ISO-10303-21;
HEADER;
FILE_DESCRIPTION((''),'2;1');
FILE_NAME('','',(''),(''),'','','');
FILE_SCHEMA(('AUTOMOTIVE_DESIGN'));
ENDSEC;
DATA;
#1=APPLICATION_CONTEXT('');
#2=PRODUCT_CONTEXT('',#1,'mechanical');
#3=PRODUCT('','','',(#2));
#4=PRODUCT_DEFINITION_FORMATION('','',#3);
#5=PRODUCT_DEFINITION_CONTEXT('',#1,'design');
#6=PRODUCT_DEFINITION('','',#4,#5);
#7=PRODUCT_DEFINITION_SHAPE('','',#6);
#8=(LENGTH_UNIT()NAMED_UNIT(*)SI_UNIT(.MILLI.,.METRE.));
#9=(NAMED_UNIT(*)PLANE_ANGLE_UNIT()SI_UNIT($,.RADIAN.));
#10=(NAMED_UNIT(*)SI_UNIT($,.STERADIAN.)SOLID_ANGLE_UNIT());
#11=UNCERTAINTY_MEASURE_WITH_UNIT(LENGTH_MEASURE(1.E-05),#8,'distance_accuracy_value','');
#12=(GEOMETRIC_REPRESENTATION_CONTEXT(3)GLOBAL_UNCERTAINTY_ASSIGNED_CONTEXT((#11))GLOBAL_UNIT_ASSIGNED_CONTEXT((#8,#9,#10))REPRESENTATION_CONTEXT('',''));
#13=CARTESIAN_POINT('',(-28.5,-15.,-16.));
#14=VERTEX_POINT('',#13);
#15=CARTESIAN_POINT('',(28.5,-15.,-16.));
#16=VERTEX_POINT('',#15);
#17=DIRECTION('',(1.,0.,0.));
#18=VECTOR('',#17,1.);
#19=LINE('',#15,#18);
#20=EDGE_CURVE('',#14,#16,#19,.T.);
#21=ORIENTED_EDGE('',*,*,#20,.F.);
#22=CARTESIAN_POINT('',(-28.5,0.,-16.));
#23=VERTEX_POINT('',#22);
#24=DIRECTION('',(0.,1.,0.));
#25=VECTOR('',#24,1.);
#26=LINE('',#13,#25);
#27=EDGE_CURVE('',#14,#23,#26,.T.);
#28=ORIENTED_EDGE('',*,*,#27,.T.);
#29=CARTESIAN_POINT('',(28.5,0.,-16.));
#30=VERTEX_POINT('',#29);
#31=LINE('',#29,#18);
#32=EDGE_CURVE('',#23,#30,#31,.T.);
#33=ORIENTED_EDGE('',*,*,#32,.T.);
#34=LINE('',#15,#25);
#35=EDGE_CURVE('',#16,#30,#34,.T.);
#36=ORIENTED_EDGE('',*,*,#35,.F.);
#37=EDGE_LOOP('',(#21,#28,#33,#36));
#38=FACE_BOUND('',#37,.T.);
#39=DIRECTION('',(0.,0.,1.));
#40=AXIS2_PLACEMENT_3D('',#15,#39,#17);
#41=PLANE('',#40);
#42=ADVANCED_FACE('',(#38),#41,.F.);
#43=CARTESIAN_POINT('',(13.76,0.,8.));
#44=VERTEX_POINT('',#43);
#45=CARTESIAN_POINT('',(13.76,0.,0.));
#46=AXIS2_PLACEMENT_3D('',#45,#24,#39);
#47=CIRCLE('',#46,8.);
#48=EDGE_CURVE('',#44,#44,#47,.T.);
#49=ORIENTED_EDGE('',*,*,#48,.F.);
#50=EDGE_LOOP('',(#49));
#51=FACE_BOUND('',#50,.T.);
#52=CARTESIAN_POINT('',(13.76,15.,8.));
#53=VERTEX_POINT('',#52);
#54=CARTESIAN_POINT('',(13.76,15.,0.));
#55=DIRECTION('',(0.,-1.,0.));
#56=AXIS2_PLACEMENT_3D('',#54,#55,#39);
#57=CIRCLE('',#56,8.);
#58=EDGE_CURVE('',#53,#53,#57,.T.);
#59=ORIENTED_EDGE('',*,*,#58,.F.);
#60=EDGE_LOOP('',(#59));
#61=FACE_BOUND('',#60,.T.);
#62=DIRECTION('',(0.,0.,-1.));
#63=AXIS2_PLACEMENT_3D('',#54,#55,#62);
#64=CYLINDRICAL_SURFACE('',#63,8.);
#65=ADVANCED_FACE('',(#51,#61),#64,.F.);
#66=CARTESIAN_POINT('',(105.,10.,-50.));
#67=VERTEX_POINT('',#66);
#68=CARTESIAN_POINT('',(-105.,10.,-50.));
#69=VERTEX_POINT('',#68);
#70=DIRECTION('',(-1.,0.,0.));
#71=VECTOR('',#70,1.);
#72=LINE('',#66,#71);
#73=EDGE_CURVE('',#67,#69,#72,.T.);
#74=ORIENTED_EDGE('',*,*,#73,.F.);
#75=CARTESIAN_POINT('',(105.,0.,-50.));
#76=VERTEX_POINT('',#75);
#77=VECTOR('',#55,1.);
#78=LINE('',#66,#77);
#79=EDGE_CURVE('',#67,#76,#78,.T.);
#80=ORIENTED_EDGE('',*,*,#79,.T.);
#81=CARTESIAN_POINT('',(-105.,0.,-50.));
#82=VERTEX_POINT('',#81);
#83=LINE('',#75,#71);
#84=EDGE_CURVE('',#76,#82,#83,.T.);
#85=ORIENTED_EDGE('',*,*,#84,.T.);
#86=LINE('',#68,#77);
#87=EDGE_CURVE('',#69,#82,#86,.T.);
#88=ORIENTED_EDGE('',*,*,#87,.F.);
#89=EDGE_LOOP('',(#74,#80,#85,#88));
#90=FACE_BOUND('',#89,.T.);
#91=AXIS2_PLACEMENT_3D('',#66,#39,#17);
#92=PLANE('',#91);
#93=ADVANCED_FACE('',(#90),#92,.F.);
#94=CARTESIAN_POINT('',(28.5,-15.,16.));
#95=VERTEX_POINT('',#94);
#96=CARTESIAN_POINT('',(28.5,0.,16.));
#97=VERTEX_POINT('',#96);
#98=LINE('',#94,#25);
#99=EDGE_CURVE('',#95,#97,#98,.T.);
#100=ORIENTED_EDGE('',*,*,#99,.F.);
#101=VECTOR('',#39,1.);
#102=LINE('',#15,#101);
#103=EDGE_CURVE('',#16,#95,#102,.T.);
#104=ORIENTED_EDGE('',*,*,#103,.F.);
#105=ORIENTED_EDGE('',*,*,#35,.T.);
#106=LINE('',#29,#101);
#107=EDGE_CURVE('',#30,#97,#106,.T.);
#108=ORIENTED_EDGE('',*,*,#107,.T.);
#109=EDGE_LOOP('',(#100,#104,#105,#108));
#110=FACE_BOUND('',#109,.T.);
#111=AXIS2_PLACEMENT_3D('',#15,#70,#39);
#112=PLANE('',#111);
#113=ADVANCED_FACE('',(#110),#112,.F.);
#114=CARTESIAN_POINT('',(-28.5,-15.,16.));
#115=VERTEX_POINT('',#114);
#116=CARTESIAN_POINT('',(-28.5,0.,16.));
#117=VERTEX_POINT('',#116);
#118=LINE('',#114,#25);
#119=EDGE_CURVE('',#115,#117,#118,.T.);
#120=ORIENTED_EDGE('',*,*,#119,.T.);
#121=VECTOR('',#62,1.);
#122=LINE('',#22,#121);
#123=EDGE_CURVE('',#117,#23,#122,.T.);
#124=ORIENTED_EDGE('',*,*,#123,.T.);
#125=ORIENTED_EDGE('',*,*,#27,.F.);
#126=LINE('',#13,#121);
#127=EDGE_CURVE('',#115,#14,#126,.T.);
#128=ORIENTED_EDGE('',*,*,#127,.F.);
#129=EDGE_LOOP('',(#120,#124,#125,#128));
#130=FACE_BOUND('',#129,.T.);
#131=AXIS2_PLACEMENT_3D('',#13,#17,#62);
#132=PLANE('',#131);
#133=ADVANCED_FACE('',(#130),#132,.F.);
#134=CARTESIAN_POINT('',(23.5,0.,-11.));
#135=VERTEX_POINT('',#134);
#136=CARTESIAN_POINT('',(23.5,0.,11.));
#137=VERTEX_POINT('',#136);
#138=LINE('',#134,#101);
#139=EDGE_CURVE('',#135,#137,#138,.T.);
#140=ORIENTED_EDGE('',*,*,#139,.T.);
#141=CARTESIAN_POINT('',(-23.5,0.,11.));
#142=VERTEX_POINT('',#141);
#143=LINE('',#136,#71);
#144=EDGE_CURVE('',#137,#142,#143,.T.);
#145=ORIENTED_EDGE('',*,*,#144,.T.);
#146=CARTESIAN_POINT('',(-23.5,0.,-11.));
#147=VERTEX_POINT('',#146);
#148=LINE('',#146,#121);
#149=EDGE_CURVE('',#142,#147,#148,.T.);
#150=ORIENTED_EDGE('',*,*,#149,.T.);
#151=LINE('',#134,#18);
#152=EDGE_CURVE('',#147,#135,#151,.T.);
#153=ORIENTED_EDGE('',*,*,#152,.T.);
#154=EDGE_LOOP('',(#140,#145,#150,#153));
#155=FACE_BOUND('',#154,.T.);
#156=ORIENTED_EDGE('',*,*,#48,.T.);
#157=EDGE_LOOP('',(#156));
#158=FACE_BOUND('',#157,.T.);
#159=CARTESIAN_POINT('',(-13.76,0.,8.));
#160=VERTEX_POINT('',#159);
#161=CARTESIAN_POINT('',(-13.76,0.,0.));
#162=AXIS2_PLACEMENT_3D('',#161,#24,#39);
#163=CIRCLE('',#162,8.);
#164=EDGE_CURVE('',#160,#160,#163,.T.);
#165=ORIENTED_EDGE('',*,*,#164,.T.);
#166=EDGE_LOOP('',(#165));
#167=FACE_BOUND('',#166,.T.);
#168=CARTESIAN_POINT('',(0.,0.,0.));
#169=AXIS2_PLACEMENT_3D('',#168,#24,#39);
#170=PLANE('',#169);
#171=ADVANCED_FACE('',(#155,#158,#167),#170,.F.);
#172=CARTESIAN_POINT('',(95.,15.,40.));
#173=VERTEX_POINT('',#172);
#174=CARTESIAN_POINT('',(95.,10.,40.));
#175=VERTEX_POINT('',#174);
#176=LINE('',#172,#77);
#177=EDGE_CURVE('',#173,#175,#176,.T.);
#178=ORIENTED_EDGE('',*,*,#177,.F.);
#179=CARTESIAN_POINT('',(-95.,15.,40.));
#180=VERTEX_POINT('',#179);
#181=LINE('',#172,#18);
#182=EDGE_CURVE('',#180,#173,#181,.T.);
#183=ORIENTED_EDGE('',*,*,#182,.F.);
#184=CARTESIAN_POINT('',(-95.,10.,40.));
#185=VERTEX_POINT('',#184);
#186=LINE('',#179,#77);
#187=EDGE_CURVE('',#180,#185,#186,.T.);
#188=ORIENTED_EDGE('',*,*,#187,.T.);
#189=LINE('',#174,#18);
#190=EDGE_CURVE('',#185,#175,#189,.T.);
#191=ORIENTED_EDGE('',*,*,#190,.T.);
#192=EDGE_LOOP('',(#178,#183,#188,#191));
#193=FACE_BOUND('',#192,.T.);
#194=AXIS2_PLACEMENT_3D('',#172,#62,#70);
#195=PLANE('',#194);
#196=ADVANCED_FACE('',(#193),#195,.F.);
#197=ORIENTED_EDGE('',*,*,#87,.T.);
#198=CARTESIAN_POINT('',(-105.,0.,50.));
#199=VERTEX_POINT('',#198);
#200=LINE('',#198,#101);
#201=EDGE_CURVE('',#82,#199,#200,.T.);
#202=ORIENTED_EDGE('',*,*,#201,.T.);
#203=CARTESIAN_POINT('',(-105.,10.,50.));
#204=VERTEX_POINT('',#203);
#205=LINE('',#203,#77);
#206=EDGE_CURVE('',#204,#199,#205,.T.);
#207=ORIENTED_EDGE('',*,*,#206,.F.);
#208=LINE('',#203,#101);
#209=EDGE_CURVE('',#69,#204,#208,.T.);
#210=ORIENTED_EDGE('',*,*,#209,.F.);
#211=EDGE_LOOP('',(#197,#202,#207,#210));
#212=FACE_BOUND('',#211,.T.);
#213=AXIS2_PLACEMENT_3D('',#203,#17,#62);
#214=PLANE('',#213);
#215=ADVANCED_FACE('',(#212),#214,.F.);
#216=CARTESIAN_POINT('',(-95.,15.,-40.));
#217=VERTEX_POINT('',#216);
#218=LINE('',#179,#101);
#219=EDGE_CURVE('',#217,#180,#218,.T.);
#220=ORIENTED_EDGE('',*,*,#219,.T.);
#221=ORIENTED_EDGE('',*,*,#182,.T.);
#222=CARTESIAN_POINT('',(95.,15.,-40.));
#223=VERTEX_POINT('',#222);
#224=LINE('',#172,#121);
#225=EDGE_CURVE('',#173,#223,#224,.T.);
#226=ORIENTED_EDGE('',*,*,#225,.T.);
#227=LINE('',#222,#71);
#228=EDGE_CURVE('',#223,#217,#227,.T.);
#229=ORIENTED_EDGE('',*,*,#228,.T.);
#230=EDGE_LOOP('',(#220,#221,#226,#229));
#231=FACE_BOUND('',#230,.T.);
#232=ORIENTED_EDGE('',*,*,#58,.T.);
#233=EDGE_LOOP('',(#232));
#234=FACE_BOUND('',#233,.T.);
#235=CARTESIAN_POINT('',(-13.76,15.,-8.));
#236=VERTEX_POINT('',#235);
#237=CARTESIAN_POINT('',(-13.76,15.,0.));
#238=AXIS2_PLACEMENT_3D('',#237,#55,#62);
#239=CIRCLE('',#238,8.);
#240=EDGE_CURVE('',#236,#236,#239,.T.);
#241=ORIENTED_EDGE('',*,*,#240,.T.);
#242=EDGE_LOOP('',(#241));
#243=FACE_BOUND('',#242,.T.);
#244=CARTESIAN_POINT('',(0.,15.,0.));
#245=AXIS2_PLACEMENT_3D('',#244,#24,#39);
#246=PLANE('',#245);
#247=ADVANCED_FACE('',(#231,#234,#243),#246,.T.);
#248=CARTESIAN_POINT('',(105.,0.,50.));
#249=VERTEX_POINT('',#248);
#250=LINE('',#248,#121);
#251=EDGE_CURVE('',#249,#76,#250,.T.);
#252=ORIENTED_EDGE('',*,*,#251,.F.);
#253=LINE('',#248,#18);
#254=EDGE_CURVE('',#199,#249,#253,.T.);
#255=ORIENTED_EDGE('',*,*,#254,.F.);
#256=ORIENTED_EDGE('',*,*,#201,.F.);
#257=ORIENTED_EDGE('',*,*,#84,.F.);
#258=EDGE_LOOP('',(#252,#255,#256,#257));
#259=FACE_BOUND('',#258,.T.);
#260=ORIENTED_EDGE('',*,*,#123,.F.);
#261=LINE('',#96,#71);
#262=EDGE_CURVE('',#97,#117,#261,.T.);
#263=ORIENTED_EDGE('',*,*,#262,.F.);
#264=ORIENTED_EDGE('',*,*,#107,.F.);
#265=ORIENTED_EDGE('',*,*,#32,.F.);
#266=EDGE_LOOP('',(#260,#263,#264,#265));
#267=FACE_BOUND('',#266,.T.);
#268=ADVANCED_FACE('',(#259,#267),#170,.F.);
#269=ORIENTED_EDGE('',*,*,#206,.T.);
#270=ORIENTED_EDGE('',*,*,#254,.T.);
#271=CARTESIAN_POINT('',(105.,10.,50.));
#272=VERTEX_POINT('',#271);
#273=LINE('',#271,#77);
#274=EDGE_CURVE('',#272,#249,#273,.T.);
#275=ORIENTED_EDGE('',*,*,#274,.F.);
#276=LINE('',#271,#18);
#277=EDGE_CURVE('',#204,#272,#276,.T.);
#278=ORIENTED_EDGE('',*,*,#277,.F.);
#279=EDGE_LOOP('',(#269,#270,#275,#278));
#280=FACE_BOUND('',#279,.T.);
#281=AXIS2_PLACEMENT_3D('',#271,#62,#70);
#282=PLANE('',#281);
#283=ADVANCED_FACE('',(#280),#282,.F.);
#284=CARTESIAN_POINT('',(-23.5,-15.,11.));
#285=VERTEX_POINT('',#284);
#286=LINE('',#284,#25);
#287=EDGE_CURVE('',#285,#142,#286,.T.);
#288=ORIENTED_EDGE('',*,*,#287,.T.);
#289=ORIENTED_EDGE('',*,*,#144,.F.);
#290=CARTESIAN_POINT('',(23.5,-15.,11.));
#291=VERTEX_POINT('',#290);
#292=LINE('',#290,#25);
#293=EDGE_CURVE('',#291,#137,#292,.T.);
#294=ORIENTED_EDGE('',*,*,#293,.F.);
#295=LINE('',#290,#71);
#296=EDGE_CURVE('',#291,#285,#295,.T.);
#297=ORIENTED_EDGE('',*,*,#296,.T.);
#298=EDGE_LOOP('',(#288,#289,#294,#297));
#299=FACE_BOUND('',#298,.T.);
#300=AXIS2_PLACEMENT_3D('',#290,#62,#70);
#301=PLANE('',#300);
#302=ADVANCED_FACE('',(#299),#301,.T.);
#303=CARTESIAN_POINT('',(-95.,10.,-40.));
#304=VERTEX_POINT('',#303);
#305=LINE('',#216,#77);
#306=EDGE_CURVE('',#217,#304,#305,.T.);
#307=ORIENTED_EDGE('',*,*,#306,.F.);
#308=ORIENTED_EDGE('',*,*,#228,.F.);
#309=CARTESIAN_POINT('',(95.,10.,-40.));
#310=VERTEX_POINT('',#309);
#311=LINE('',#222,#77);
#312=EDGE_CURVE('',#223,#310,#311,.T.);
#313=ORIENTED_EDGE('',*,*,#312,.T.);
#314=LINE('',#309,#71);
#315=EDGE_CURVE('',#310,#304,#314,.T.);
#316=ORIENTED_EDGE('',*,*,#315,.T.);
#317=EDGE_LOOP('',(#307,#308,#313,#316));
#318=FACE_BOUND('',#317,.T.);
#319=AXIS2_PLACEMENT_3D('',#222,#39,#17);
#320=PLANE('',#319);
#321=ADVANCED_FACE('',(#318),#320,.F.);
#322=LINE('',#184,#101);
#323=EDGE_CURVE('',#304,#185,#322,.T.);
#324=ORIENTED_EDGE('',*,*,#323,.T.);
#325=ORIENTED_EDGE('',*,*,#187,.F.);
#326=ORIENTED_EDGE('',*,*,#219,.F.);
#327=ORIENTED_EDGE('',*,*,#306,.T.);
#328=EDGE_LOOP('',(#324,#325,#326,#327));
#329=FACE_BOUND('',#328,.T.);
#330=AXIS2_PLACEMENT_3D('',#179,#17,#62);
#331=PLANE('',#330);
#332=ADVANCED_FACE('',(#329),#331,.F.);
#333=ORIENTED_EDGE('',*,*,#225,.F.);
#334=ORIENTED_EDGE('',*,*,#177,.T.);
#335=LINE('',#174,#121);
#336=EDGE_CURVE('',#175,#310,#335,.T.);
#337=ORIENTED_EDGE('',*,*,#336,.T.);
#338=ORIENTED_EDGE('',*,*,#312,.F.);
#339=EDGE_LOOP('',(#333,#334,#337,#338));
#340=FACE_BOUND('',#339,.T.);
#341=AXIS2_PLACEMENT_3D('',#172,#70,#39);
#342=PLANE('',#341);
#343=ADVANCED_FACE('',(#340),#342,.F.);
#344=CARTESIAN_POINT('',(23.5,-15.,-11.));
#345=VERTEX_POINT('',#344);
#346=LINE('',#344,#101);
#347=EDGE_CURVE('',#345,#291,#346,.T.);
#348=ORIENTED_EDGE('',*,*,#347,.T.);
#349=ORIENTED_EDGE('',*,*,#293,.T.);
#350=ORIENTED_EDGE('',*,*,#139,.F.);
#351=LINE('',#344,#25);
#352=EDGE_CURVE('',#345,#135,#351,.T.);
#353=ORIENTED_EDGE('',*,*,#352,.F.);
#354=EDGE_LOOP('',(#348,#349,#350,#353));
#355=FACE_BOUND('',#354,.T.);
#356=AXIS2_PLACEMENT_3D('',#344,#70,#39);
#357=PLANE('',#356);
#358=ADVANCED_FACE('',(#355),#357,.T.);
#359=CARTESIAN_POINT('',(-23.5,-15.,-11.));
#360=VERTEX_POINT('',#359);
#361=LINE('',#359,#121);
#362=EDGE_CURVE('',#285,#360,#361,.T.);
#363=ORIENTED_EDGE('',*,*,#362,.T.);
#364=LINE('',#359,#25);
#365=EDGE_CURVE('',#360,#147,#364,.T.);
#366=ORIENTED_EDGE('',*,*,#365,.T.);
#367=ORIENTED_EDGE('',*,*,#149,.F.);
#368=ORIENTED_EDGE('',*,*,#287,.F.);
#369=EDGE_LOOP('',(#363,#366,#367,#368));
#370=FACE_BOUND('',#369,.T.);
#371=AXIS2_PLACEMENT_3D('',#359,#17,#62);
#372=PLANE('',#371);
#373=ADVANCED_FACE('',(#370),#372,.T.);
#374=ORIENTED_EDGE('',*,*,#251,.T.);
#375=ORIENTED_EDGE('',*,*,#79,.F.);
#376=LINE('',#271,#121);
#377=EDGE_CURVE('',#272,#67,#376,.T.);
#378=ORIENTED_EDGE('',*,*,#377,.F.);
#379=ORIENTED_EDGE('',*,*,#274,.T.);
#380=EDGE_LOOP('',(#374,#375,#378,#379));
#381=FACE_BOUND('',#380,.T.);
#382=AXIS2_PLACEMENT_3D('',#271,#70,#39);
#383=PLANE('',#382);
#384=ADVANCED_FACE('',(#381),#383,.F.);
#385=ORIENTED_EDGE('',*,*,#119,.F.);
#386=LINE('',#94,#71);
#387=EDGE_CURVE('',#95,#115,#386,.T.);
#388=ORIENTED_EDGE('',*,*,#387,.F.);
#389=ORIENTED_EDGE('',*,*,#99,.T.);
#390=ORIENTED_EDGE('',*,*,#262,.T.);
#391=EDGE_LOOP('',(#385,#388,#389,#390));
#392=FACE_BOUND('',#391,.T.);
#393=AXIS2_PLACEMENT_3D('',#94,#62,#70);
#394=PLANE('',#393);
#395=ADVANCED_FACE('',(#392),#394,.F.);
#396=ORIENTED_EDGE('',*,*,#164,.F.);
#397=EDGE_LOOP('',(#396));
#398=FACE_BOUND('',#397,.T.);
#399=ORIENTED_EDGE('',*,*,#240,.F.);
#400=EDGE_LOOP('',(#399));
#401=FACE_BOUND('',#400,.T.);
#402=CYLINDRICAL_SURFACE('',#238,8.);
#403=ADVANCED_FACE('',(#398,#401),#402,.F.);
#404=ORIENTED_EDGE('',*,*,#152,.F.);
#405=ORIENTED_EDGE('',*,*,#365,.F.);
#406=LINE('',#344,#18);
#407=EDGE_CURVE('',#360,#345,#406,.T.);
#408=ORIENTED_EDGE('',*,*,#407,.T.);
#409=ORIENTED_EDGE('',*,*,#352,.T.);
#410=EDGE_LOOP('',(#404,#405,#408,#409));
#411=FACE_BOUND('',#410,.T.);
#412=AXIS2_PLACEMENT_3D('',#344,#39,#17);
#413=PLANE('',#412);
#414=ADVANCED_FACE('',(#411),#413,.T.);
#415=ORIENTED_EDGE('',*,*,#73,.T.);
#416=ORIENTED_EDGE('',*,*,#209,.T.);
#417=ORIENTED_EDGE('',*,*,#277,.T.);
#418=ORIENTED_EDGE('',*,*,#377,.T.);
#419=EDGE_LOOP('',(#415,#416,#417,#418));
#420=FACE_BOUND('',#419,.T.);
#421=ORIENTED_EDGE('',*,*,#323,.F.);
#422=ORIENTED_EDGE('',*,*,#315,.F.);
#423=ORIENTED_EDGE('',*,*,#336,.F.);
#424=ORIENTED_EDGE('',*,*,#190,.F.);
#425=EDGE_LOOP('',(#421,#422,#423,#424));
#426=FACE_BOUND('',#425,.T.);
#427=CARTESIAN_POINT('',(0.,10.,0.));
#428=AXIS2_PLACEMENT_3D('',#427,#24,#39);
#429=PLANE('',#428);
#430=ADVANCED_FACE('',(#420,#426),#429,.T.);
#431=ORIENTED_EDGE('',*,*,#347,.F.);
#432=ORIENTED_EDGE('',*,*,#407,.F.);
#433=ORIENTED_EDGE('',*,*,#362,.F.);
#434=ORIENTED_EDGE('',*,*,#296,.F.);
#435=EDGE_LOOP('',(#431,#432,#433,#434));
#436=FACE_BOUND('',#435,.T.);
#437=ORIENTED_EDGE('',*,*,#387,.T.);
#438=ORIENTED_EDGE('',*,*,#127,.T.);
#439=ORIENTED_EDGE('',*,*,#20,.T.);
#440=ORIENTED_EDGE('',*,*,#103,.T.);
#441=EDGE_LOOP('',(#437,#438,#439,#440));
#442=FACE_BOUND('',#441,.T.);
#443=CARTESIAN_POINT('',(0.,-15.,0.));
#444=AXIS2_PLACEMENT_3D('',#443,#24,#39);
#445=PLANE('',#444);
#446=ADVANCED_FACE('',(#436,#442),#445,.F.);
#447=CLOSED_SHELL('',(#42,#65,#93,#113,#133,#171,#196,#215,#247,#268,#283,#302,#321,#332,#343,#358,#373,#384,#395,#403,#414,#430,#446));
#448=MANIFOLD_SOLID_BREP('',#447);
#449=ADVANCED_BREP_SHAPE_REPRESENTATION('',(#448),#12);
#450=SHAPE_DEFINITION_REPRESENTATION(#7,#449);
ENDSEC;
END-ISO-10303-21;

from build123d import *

# Parameters (mm, degrees)
SKETCH1_W               = 210
SKETCH1_H               = 100
BOSS_EXTRUDE1_DEPTH     = 10
SKETCH2_W               = 190
SKETCH2_H               = 80
BOSS_EXTRUDE2_DEPTH     = 5
SKETCH3_W               = 57
SKETCH3_H               = 32
SKETCH3_W_2             = 47
SKETCH3_H_2             = 22
BOSS_EXTRUDE3_DEPTH     = 15
CUT_EXTRUDE1_DEPTH      = 118.260393996
CUT_EXTRUDE1_DEPTH_BACK = 118.260393996
SKETCH4_R               = 8


with BuildPart() as part:
    # Sketch1 → Boss-Extrude1 (new body)
    with BuildSketch(Plane(origin=(0, 0, 0), x_dir=(1, 0, 0), z_dir=(0, 1, 0))):
        Rectangle(SKETCH1_W, SKETCH1_H)
    extrude(amount=BOSS_EXTRUDE1_DEPTH)

    # Sketch2 → Boss-Extrude2 (add)
    with BuildSketch(Plane(origin=(0, 10, 0), x_dir=(1, 0, 0), z_dir=(0, 1, 0))):
        Rectangle(SKETCH2_W, SKETCH2_H)
    extrude(amount=BOSS_EXTRUDE2_DEPTH)

    # Sketch3 → Boss-Extrude3 (add)
    with BuildSketch(Plane.XZ):
        Rectangle(SKETCH3_W, SKETCH3_H)
        Rectangle(SKETCH3_W_2, SKETCH3_H_2, mode=Mode.SUBTRACT)
    extrude(amount=BOSS_EXTRUDE3_DEPTH)

    # Sketch4 → Cut-Extrude1 (cut, two sides: drawn at the far end of the back side and taken through both)
    with BuildSketch(Plane.XZ.offset(-CUT_EXTRUDE1_DEPTH_BACK)):
        with Locations(Location((-13.76, 0, 0), (0, 0, 270))):
            Circle(SKETCH4_R)
        with Locations(Location((13.76, 0, 0), (0, 0, 90))):
            Circle(SKETCH4_R)
    extrude(amount=CUT_EXTRUDE1_DEPTH + CUT_EXTRUDE1_DEPTH_BACK, mode=Mode.SUBTRACT)


solid = part.part
